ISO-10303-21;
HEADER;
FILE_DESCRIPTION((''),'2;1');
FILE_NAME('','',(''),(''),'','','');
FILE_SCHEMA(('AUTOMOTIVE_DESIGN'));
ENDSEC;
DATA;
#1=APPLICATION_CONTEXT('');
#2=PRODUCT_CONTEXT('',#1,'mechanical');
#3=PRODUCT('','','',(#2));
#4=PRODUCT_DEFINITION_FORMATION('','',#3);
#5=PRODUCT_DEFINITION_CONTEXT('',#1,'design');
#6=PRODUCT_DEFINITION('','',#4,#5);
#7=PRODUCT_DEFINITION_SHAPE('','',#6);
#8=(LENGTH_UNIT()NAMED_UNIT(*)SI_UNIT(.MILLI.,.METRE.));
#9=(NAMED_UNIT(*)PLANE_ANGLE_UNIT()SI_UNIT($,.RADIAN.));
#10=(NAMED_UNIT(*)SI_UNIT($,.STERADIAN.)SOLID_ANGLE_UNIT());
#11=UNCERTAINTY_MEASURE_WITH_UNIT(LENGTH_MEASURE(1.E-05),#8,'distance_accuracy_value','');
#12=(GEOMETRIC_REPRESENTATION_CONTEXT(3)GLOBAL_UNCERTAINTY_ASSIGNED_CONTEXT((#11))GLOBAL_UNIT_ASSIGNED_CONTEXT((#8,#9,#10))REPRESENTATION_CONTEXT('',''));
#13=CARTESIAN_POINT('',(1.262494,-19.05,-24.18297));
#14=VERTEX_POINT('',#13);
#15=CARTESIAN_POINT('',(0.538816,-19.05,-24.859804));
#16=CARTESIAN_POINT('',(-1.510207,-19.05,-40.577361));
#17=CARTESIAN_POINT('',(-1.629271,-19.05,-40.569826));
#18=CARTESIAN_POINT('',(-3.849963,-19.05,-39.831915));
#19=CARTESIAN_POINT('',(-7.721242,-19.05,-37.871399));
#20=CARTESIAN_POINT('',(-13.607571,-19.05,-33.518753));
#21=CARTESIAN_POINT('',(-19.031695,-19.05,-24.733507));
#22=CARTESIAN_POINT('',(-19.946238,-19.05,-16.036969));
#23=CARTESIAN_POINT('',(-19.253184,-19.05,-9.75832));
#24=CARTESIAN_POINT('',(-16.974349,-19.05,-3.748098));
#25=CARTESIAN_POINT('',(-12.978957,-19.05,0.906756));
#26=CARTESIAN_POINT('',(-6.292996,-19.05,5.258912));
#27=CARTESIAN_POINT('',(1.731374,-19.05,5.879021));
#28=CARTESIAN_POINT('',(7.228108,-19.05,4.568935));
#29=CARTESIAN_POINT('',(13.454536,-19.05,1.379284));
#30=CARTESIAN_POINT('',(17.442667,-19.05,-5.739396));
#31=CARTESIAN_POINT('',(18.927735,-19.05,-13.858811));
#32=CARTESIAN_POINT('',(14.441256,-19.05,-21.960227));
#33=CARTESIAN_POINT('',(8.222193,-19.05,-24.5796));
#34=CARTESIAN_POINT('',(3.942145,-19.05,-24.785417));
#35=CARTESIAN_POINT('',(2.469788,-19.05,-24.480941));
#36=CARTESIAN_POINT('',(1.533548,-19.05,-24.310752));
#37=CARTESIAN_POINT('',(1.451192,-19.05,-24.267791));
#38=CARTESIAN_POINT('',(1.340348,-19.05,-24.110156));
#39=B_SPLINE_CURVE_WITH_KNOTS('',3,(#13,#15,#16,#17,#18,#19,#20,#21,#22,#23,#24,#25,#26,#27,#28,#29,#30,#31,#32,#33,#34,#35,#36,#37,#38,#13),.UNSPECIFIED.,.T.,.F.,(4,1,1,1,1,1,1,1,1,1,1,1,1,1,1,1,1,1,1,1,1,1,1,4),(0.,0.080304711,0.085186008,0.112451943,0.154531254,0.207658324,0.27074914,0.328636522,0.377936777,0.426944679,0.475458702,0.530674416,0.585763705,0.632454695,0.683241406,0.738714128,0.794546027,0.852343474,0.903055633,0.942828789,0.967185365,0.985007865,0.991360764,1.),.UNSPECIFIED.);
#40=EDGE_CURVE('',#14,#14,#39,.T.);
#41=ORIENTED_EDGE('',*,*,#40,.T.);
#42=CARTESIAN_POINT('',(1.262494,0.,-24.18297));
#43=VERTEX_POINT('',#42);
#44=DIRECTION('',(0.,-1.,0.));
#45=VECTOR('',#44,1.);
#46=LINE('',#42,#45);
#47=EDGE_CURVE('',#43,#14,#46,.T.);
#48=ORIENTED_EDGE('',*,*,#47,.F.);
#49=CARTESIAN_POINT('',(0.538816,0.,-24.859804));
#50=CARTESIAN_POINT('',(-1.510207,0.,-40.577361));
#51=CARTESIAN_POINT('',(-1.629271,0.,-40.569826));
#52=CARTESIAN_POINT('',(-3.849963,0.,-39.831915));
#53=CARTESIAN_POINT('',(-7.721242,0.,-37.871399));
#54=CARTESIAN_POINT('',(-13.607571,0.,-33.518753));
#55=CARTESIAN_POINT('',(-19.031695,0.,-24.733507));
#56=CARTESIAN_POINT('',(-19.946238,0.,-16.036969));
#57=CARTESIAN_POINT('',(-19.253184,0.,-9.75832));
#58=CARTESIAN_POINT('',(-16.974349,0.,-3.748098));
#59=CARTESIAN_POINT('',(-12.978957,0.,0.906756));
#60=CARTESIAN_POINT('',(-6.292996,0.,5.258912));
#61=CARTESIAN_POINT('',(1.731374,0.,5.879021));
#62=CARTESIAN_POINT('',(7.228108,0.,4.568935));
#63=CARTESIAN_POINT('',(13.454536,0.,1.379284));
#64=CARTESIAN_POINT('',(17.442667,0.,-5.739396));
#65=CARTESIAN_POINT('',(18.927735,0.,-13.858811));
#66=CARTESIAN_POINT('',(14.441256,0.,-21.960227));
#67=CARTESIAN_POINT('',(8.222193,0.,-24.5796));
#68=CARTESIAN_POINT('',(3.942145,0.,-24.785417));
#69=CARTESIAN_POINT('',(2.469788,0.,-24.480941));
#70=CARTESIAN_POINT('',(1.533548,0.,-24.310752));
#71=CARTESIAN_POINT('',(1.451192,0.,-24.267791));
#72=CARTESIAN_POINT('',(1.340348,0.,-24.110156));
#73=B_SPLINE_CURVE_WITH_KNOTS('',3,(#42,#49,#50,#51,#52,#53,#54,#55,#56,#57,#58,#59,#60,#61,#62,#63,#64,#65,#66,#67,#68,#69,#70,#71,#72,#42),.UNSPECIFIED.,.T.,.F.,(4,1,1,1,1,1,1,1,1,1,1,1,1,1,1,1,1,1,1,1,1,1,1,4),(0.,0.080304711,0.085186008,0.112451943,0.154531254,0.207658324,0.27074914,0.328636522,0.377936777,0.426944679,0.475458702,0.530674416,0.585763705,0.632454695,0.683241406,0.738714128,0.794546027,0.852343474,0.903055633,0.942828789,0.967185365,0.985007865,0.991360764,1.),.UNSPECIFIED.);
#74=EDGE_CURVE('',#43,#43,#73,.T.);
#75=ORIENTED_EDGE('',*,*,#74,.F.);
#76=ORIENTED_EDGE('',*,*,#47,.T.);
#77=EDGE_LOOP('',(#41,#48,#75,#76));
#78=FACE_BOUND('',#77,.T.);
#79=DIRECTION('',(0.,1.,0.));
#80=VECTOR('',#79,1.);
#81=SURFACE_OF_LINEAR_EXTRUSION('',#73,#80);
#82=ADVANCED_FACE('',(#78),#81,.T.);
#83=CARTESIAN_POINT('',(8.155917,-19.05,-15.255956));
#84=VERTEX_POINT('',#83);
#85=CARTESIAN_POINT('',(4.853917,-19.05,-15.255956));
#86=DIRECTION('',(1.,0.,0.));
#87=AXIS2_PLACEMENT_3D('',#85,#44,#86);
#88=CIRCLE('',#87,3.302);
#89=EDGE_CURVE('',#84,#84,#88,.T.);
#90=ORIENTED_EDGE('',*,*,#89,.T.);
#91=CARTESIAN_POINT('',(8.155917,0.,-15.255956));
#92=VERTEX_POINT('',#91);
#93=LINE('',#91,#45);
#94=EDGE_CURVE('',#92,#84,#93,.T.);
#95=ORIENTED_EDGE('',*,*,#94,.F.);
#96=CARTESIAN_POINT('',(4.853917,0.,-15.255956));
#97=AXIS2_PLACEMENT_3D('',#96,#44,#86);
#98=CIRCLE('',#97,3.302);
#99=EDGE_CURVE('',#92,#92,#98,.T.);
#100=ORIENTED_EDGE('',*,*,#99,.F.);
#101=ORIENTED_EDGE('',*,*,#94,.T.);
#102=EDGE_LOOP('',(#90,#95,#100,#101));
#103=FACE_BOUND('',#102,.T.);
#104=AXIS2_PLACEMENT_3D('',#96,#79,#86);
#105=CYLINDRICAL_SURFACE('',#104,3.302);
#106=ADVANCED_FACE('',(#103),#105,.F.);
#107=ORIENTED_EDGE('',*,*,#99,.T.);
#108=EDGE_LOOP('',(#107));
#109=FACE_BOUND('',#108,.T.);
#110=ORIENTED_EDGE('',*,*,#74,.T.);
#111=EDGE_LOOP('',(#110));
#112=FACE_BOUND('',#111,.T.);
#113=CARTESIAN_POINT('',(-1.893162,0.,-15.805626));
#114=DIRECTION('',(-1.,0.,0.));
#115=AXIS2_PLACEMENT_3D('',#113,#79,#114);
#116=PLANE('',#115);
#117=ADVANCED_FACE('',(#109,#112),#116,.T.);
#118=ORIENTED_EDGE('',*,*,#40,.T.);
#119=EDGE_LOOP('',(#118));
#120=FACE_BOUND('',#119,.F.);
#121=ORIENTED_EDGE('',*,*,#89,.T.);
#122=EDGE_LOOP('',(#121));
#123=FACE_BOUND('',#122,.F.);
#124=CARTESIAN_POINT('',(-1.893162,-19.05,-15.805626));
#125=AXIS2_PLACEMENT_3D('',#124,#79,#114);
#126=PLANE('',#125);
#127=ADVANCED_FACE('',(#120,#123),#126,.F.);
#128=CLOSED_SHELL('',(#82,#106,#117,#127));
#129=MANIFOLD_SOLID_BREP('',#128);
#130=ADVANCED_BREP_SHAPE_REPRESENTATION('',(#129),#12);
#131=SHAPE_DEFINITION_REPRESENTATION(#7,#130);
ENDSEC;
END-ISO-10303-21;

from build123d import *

# Parameters (mm, degrees)
F0_R     = 3.302
F1_DEPTH = 19.05


with BuildPart() as f1:
    # F0 (on Front) → F1 (new body)
    with BuildSketch(Plane.XZ):
        with BuildLine():
            add(Edge.make_bspline(
                [(1.2624944295, -24.1829699402), (0.5388161662, -24.8598036924), (-1.5102066252, -40.5773614344), (-1.6292706333, -40.5698264805), (-3.8499625507, -39.8319152844), (-7.721242266, -37.8713991907), (-13.6075708525, -33.5187525351), (-19.0316947984, -24.7335068129), (-19.9462376818, -16.0369691116), (-19.2531839984, -9.758320297), (-16.9743491229, -3.74809778), (-12.9789572422, 0.9067560646), (-6.2929960365, 5.2589119785), (1.7313744643, 5.8790209842), (7.2281082663, 4.5689350763), (13.4545357233, 1.3792838335), (17.4426665952, -5.7393961556), (18.9277348553, -13.8588106532), (14.4412561336, -21.9602271236), (8.2221933991, -24.5796004147), (3.9421445888, -24.7854168158), (2.4697880183, -24.4809406076), (1.5335478239, -24.31075227), (1.4511916859, -24.2677908997), (1.3403482346, -24.1101556999), (1.2624944295, -24.1829699402)],
                knots=[0, 0, 0, 0, 0.0803047111, 0.0851860076, 0.1124519427, 0.1545312541, 0.2076583242, 0.2707491396, 0.3286365219, 0.3779367774, 0.4269446795, 0.4754587023, 0.5306744159, 0.5857637051, 0.6324546945, 0.683241406, 0.7387141282, 0.7945460274, 0.8523434743, 0.9030556329, 0.942828789, 0.9671853648, 0.9850078655, 0.991360764, 1, 1, 1, 1], degree=3))
        make_face()
        with Locations((4.8539172362, -15.255956356)):
            Circle(F0_R, mode=Mode.SUBTRACT)
    extrude(amount=F1_DEPTH)


solid = f1.part
